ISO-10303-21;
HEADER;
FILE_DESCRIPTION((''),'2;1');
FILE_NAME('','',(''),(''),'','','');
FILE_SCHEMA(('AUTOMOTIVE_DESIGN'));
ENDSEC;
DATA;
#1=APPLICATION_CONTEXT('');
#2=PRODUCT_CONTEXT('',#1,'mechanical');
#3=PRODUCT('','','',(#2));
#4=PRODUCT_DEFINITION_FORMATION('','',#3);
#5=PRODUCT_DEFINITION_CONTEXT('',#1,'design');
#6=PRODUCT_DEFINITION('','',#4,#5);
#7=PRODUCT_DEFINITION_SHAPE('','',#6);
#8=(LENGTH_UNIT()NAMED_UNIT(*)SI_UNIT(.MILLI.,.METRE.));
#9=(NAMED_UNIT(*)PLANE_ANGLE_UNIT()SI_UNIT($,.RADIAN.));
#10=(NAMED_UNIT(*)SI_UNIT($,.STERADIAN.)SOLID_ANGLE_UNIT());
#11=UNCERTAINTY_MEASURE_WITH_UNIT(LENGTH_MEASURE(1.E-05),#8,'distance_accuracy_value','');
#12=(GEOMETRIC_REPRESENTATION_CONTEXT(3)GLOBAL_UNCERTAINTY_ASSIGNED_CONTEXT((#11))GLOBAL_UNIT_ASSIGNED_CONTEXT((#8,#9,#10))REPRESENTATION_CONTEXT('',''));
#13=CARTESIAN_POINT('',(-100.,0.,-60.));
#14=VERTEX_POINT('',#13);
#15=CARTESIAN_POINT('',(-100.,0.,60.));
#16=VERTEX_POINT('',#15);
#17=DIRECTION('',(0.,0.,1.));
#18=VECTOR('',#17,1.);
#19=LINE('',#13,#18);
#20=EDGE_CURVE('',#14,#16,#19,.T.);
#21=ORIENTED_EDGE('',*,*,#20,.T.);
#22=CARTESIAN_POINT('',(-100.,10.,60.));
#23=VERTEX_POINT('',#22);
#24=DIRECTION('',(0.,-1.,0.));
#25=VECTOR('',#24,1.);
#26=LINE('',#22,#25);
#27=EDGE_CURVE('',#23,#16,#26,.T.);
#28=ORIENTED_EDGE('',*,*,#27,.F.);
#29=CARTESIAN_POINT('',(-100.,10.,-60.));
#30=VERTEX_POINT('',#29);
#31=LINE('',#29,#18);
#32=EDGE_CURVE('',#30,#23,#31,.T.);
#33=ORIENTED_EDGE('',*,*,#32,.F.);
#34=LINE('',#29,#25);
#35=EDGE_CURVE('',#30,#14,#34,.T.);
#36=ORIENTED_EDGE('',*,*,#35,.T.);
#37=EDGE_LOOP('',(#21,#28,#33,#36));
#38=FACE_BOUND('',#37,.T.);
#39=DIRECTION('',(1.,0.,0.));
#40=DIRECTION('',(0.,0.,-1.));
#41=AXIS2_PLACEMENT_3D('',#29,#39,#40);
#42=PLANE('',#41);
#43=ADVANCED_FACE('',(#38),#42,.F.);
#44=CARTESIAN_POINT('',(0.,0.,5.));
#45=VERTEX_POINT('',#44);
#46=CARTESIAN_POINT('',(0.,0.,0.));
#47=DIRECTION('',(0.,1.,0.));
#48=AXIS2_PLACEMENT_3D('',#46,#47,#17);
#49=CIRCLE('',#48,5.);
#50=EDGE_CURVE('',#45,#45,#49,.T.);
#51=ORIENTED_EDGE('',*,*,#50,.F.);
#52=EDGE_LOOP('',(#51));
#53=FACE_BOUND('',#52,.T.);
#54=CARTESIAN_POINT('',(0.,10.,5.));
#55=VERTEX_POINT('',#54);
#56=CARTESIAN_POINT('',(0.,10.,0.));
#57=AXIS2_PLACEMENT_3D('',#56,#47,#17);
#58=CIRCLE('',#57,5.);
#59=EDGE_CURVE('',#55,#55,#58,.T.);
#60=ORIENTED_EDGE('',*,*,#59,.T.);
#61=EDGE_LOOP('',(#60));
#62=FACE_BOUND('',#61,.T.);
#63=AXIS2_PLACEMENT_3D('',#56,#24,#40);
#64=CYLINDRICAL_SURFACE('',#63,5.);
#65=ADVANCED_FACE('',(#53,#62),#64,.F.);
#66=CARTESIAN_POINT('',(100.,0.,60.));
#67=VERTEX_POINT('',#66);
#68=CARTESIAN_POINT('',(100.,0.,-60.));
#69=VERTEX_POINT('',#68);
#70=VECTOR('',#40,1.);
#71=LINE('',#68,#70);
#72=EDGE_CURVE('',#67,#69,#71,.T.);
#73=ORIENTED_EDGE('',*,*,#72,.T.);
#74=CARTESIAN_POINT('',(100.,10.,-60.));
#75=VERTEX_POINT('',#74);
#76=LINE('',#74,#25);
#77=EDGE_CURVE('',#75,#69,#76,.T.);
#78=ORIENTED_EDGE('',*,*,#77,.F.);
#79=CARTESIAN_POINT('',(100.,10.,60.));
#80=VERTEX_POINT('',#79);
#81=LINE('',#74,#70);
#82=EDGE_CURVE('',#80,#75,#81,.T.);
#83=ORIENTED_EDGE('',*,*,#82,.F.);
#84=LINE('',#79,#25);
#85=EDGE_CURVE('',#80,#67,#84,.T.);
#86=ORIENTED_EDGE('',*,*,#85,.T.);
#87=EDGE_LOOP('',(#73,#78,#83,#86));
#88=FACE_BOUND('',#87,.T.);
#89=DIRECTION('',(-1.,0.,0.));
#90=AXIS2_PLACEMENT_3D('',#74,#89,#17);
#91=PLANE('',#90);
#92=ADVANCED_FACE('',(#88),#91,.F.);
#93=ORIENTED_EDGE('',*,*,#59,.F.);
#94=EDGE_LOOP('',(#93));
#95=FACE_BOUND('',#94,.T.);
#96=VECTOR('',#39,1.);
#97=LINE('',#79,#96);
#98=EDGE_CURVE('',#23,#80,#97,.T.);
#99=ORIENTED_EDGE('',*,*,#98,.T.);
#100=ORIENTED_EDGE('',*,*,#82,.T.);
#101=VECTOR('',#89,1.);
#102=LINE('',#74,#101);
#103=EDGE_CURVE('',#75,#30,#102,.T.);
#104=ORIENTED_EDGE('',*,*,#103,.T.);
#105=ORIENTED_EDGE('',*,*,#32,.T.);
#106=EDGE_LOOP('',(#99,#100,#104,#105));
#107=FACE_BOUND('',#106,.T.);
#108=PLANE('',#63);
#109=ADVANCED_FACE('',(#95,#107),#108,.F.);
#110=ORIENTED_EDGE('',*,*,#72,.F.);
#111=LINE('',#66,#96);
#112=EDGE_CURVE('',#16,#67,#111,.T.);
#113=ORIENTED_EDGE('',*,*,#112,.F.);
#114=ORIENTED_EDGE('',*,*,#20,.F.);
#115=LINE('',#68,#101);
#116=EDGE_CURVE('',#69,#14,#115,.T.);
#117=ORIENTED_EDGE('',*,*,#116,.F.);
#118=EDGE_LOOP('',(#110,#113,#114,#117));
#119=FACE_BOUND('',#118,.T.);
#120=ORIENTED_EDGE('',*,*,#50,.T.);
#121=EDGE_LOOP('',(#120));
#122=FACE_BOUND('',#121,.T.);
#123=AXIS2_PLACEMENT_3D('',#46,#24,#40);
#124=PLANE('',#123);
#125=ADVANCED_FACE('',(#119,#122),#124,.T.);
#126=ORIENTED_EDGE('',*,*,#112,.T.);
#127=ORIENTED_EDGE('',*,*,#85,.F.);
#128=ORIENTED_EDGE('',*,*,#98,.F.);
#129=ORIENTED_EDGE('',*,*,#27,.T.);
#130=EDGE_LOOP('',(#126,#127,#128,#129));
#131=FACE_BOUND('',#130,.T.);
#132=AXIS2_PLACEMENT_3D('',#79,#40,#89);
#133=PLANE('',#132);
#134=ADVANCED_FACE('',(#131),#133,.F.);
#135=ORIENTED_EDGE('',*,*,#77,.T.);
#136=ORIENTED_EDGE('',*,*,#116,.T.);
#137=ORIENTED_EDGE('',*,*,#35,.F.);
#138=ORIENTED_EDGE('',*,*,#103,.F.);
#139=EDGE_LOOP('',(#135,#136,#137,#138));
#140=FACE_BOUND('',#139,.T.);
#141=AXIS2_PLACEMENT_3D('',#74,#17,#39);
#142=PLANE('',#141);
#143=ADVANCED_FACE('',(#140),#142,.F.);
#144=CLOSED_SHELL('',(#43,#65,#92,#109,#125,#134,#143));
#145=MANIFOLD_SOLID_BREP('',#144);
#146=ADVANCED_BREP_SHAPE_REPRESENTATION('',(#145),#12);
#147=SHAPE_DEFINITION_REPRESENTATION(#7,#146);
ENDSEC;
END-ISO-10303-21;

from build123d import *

# Parameters (mm, degrees)
SKETCH1_W           = 200
SKETCH1_H           = 120
SKETCH1_R           = 5
BOSS_EXTRUDE1_DEPTH = 10


with BuildPart() as part:
    # Sketch1 → Boss-Extrude1 (new body)
    with BuildSketch(Plane(origin=(0, 0, 0), x_dir=(1, 0, 0), z_dir=(0, 1, 0))):
        Rectangle(SKETCH1_W, SKETCH1_H)
        with Locations(Location((0, 0, 0), (0, 0, 270))):
            Circle(SKETCH1_R, mode=Mode.SUBTRACT)
    extrude(amount=BOSS_EXTRUDE1_DEPTH)


solid = part.part
